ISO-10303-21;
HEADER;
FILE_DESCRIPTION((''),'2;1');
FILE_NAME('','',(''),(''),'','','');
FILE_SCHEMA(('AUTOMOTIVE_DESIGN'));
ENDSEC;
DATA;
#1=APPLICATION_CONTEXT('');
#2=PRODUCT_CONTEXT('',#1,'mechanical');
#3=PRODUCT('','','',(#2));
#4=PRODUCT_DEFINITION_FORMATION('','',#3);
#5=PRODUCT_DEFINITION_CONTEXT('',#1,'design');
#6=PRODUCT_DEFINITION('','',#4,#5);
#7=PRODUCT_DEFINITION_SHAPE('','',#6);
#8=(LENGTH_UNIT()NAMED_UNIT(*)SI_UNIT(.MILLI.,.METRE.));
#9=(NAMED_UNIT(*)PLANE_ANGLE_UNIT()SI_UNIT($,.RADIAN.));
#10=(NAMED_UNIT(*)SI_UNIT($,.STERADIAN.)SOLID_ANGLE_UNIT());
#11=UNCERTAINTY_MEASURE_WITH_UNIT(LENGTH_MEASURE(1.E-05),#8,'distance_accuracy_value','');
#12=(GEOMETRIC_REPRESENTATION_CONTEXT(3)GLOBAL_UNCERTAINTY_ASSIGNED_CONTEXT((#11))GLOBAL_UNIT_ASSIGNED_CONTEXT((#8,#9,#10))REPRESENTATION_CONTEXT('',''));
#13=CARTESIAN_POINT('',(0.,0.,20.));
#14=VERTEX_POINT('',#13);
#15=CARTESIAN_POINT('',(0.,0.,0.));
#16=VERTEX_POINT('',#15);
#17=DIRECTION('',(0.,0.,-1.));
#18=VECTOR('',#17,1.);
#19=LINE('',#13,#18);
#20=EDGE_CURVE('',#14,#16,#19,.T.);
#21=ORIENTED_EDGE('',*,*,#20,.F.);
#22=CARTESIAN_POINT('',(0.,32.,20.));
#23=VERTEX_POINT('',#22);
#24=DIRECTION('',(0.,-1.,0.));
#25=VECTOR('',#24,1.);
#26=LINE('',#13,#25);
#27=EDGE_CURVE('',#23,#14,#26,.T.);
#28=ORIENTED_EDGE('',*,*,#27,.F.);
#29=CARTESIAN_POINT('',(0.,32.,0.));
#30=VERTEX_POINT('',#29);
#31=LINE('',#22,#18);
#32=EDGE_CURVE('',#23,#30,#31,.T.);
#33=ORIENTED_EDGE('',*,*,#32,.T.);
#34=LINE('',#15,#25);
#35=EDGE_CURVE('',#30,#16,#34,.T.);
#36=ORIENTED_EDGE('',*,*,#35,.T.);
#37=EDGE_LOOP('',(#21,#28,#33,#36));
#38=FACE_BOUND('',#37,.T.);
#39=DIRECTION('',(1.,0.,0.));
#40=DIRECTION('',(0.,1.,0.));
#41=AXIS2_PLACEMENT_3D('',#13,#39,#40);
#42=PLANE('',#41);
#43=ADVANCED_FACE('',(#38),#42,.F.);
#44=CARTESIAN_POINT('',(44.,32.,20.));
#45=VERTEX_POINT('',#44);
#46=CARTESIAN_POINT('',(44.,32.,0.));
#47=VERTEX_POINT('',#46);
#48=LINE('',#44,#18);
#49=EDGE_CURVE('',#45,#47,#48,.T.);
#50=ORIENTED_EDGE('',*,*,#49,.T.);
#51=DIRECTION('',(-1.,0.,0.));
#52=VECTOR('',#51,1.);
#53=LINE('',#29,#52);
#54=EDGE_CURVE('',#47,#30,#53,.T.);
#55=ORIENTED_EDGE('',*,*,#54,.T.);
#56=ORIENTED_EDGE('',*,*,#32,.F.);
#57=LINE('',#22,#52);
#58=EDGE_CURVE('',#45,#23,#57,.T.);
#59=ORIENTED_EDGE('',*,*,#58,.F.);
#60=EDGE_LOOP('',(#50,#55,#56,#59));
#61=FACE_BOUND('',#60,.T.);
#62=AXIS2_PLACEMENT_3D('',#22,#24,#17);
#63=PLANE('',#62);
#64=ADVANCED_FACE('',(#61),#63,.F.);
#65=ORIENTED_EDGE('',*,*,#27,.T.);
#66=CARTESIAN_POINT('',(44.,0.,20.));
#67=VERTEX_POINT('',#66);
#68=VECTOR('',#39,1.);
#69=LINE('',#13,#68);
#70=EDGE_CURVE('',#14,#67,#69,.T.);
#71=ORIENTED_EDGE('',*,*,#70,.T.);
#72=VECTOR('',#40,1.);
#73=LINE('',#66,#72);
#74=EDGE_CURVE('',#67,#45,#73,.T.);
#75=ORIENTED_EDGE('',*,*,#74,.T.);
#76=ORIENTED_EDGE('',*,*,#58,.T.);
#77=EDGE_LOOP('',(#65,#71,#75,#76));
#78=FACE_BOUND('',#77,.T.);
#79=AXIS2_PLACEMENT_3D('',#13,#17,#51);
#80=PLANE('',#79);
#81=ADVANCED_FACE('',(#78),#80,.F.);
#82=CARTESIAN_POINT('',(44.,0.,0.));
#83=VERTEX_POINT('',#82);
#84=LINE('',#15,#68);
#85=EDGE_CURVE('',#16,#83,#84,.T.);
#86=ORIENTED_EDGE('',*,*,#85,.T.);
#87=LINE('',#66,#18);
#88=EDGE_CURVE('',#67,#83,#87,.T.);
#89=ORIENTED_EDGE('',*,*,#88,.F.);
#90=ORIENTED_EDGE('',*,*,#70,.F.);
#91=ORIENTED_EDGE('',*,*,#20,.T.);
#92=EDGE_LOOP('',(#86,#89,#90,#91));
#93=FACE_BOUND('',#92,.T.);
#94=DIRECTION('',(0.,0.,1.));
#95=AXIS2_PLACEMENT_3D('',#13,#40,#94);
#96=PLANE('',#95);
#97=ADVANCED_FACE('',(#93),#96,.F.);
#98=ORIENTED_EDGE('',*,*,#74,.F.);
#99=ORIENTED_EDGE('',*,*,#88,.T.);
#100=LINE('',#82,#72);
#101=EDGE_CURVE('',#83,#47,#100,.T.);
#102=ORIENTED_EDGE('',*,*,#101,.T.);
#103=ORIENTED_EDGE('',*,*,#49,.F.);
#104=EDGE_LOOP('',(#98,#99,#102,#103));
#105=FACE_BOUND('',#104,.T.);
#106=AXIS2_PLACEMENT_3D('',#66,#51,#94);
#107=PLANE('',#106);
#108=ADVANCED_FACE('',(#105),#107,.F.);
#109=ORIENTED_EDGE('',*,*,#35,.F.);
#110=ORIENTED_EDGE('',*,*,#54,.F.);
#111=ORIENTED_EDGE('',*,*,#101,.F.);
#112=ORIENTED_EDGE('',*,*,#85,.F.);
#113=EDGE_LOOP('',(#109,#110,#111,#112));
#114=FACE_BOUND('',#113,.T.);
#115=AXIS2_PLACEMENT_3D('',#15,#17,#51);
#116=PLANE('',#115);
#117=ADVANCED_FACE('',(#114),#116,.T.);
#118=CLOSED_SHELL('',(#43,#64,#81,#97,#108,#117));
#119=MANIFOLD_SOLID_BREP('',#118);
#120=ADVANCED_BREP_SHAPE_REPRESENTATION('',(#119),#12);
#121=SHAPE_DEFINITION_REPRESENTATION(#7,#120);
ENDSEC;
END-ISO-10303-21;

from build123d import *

# Parameters (mm, degrees)
SKETCH1_W           = 44
SKETCH1_H           = 32
BOSS_EXTRUDE1_DEPTH = 20


with BuildPart() as part:
    # Sketch1 → Boss-Extrude1 (new body)
    with BuildSketch(Plane.XY):
        with Locations((22, 16)):
            Rectangle(SKETCH1_W, SKETCH1_H)
    extrude(amount=BOSS_EXTRUDE1_DEPTH)


solid = part.part
